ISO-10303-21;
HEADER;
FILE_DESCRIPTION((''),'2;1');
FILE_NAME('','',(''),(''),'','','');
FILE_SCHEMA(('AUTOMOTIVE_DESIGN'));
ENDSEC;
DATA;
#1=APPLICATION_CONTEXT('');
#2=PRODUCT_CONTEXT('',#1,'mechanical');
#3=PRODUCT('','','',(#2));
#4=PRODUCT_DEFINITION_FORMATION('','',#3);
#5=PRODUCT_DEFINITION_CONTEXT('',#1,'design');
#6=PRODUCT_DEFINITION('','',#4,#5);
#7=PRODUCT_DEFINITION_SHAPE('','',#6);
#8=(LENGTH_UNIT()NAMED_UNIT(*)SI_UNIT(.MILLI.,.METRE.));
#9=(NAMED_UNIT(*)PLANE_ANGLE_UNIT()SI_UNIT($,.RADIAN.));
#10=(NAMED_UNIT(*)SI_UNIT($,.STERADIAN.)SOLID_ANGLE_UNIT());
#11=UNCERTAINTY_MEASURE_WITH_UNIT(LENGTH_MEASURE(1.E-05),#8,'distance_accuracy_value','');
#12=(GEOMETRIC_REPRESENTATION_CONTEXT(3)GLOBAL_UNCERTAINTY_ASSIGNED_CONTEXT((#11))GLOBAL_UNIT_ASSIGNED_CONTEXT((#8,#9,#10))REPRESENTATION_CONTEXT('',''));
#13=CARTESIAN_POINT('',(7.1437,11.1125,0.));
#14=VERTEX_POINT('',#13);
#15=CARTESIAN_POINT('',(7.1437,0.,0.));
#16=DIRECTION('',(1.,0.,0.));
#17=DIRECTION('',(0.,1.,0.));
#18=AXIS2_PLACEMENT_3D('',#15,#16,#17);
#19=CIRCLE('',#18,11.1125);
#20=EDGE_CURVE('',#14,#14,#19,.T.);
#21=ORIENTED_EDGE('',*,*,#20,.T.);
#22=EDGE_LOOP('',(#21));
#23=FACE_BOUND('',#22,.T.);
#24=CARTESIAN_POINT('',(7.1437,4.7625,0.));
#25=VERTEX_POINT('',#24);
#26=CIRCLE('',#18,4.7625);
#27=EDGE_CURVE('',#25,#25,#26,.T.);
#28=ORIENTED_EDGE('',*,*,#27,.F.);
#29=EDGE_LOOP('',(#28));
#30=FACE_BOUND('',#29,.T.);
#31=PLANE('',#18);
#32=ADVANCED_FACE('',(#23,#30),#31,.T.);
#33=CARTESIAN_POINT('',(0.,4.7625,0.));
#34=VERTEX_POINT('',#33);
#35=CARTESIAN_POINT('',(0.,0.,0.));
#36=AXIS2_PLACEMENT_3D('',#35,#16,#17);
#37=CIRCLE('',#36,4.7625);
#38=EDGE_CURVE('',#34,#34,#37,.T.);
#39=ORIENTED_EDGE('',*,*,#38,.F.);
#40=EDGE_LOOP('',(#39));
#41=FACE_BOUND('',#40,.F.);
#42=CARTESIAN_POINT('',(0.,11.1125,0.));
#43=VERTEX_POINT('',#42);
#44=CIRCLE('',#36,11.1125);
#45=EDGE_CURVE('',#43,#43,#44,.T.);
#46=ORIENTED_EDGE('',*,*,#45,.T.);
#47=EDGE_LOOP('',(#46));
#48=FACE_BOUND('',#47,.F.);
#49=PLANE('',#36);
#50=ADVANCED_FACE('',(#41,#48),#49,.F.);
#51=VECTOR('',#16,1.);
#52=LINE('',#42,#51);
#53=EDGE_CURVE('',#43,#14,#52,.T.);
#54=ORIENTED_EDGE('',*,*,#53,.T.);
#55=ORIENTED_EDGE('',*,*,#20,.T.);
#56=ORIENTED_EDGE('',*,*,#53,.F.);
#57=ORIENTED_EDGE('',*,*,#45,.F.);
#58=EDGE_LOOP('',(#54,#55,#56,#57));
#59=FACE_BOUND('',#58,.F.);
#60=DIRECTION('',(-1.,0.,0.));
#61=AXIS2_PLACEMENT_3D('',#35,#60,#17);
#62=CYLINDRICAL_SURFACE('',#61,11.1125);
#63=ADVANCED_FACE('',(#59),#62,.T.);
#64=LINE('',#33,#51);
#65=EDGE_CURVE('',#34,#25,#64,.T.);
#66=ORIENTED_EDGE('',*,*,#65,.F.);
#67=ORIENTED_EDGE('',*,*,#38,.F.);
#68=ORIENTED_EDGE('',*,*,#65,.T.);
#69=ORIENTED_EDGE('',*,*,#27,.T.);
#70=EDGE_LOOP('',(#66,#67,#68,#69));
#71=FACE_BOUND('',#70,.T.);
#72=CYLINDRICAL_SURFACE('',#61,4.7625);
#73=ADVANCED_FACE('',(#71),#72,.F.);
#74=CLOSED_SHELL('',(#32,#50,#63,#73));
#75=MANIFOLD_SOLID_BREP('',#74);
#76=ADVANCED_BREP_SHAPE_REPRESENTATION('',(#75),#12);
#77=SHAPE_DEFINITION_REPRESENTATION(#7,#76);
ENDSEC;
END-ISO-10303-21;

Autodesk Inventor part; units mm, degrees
ref_plane "YZ Plane" through (0, 0, 0) normal (1, 0, 0) x (0, 1, 0)
ref_plane "XZ Plane" through (0, 0, 0) normal (0, 1, 0) x (-1, 0, 0)
ref_plane "XY Plane" through (0, 0, 0) normal (0, 0, 1) x (1, 0, 0)
sketch "Sketch1" plane through (0, 0, 0) normal (1, 0, 0) x (0, 1, 0)
  circle A0 centre (0, 0) radius 11.1125
  circle A1 centre (0, 0) radius 4.7625
  dimension "d0" = 22.225
  dimension "d1" = 9.525
extrude "Extrusion1" add sketch "Sketch1" along normal blind 7.1437
properties part number "bearing wheel"
